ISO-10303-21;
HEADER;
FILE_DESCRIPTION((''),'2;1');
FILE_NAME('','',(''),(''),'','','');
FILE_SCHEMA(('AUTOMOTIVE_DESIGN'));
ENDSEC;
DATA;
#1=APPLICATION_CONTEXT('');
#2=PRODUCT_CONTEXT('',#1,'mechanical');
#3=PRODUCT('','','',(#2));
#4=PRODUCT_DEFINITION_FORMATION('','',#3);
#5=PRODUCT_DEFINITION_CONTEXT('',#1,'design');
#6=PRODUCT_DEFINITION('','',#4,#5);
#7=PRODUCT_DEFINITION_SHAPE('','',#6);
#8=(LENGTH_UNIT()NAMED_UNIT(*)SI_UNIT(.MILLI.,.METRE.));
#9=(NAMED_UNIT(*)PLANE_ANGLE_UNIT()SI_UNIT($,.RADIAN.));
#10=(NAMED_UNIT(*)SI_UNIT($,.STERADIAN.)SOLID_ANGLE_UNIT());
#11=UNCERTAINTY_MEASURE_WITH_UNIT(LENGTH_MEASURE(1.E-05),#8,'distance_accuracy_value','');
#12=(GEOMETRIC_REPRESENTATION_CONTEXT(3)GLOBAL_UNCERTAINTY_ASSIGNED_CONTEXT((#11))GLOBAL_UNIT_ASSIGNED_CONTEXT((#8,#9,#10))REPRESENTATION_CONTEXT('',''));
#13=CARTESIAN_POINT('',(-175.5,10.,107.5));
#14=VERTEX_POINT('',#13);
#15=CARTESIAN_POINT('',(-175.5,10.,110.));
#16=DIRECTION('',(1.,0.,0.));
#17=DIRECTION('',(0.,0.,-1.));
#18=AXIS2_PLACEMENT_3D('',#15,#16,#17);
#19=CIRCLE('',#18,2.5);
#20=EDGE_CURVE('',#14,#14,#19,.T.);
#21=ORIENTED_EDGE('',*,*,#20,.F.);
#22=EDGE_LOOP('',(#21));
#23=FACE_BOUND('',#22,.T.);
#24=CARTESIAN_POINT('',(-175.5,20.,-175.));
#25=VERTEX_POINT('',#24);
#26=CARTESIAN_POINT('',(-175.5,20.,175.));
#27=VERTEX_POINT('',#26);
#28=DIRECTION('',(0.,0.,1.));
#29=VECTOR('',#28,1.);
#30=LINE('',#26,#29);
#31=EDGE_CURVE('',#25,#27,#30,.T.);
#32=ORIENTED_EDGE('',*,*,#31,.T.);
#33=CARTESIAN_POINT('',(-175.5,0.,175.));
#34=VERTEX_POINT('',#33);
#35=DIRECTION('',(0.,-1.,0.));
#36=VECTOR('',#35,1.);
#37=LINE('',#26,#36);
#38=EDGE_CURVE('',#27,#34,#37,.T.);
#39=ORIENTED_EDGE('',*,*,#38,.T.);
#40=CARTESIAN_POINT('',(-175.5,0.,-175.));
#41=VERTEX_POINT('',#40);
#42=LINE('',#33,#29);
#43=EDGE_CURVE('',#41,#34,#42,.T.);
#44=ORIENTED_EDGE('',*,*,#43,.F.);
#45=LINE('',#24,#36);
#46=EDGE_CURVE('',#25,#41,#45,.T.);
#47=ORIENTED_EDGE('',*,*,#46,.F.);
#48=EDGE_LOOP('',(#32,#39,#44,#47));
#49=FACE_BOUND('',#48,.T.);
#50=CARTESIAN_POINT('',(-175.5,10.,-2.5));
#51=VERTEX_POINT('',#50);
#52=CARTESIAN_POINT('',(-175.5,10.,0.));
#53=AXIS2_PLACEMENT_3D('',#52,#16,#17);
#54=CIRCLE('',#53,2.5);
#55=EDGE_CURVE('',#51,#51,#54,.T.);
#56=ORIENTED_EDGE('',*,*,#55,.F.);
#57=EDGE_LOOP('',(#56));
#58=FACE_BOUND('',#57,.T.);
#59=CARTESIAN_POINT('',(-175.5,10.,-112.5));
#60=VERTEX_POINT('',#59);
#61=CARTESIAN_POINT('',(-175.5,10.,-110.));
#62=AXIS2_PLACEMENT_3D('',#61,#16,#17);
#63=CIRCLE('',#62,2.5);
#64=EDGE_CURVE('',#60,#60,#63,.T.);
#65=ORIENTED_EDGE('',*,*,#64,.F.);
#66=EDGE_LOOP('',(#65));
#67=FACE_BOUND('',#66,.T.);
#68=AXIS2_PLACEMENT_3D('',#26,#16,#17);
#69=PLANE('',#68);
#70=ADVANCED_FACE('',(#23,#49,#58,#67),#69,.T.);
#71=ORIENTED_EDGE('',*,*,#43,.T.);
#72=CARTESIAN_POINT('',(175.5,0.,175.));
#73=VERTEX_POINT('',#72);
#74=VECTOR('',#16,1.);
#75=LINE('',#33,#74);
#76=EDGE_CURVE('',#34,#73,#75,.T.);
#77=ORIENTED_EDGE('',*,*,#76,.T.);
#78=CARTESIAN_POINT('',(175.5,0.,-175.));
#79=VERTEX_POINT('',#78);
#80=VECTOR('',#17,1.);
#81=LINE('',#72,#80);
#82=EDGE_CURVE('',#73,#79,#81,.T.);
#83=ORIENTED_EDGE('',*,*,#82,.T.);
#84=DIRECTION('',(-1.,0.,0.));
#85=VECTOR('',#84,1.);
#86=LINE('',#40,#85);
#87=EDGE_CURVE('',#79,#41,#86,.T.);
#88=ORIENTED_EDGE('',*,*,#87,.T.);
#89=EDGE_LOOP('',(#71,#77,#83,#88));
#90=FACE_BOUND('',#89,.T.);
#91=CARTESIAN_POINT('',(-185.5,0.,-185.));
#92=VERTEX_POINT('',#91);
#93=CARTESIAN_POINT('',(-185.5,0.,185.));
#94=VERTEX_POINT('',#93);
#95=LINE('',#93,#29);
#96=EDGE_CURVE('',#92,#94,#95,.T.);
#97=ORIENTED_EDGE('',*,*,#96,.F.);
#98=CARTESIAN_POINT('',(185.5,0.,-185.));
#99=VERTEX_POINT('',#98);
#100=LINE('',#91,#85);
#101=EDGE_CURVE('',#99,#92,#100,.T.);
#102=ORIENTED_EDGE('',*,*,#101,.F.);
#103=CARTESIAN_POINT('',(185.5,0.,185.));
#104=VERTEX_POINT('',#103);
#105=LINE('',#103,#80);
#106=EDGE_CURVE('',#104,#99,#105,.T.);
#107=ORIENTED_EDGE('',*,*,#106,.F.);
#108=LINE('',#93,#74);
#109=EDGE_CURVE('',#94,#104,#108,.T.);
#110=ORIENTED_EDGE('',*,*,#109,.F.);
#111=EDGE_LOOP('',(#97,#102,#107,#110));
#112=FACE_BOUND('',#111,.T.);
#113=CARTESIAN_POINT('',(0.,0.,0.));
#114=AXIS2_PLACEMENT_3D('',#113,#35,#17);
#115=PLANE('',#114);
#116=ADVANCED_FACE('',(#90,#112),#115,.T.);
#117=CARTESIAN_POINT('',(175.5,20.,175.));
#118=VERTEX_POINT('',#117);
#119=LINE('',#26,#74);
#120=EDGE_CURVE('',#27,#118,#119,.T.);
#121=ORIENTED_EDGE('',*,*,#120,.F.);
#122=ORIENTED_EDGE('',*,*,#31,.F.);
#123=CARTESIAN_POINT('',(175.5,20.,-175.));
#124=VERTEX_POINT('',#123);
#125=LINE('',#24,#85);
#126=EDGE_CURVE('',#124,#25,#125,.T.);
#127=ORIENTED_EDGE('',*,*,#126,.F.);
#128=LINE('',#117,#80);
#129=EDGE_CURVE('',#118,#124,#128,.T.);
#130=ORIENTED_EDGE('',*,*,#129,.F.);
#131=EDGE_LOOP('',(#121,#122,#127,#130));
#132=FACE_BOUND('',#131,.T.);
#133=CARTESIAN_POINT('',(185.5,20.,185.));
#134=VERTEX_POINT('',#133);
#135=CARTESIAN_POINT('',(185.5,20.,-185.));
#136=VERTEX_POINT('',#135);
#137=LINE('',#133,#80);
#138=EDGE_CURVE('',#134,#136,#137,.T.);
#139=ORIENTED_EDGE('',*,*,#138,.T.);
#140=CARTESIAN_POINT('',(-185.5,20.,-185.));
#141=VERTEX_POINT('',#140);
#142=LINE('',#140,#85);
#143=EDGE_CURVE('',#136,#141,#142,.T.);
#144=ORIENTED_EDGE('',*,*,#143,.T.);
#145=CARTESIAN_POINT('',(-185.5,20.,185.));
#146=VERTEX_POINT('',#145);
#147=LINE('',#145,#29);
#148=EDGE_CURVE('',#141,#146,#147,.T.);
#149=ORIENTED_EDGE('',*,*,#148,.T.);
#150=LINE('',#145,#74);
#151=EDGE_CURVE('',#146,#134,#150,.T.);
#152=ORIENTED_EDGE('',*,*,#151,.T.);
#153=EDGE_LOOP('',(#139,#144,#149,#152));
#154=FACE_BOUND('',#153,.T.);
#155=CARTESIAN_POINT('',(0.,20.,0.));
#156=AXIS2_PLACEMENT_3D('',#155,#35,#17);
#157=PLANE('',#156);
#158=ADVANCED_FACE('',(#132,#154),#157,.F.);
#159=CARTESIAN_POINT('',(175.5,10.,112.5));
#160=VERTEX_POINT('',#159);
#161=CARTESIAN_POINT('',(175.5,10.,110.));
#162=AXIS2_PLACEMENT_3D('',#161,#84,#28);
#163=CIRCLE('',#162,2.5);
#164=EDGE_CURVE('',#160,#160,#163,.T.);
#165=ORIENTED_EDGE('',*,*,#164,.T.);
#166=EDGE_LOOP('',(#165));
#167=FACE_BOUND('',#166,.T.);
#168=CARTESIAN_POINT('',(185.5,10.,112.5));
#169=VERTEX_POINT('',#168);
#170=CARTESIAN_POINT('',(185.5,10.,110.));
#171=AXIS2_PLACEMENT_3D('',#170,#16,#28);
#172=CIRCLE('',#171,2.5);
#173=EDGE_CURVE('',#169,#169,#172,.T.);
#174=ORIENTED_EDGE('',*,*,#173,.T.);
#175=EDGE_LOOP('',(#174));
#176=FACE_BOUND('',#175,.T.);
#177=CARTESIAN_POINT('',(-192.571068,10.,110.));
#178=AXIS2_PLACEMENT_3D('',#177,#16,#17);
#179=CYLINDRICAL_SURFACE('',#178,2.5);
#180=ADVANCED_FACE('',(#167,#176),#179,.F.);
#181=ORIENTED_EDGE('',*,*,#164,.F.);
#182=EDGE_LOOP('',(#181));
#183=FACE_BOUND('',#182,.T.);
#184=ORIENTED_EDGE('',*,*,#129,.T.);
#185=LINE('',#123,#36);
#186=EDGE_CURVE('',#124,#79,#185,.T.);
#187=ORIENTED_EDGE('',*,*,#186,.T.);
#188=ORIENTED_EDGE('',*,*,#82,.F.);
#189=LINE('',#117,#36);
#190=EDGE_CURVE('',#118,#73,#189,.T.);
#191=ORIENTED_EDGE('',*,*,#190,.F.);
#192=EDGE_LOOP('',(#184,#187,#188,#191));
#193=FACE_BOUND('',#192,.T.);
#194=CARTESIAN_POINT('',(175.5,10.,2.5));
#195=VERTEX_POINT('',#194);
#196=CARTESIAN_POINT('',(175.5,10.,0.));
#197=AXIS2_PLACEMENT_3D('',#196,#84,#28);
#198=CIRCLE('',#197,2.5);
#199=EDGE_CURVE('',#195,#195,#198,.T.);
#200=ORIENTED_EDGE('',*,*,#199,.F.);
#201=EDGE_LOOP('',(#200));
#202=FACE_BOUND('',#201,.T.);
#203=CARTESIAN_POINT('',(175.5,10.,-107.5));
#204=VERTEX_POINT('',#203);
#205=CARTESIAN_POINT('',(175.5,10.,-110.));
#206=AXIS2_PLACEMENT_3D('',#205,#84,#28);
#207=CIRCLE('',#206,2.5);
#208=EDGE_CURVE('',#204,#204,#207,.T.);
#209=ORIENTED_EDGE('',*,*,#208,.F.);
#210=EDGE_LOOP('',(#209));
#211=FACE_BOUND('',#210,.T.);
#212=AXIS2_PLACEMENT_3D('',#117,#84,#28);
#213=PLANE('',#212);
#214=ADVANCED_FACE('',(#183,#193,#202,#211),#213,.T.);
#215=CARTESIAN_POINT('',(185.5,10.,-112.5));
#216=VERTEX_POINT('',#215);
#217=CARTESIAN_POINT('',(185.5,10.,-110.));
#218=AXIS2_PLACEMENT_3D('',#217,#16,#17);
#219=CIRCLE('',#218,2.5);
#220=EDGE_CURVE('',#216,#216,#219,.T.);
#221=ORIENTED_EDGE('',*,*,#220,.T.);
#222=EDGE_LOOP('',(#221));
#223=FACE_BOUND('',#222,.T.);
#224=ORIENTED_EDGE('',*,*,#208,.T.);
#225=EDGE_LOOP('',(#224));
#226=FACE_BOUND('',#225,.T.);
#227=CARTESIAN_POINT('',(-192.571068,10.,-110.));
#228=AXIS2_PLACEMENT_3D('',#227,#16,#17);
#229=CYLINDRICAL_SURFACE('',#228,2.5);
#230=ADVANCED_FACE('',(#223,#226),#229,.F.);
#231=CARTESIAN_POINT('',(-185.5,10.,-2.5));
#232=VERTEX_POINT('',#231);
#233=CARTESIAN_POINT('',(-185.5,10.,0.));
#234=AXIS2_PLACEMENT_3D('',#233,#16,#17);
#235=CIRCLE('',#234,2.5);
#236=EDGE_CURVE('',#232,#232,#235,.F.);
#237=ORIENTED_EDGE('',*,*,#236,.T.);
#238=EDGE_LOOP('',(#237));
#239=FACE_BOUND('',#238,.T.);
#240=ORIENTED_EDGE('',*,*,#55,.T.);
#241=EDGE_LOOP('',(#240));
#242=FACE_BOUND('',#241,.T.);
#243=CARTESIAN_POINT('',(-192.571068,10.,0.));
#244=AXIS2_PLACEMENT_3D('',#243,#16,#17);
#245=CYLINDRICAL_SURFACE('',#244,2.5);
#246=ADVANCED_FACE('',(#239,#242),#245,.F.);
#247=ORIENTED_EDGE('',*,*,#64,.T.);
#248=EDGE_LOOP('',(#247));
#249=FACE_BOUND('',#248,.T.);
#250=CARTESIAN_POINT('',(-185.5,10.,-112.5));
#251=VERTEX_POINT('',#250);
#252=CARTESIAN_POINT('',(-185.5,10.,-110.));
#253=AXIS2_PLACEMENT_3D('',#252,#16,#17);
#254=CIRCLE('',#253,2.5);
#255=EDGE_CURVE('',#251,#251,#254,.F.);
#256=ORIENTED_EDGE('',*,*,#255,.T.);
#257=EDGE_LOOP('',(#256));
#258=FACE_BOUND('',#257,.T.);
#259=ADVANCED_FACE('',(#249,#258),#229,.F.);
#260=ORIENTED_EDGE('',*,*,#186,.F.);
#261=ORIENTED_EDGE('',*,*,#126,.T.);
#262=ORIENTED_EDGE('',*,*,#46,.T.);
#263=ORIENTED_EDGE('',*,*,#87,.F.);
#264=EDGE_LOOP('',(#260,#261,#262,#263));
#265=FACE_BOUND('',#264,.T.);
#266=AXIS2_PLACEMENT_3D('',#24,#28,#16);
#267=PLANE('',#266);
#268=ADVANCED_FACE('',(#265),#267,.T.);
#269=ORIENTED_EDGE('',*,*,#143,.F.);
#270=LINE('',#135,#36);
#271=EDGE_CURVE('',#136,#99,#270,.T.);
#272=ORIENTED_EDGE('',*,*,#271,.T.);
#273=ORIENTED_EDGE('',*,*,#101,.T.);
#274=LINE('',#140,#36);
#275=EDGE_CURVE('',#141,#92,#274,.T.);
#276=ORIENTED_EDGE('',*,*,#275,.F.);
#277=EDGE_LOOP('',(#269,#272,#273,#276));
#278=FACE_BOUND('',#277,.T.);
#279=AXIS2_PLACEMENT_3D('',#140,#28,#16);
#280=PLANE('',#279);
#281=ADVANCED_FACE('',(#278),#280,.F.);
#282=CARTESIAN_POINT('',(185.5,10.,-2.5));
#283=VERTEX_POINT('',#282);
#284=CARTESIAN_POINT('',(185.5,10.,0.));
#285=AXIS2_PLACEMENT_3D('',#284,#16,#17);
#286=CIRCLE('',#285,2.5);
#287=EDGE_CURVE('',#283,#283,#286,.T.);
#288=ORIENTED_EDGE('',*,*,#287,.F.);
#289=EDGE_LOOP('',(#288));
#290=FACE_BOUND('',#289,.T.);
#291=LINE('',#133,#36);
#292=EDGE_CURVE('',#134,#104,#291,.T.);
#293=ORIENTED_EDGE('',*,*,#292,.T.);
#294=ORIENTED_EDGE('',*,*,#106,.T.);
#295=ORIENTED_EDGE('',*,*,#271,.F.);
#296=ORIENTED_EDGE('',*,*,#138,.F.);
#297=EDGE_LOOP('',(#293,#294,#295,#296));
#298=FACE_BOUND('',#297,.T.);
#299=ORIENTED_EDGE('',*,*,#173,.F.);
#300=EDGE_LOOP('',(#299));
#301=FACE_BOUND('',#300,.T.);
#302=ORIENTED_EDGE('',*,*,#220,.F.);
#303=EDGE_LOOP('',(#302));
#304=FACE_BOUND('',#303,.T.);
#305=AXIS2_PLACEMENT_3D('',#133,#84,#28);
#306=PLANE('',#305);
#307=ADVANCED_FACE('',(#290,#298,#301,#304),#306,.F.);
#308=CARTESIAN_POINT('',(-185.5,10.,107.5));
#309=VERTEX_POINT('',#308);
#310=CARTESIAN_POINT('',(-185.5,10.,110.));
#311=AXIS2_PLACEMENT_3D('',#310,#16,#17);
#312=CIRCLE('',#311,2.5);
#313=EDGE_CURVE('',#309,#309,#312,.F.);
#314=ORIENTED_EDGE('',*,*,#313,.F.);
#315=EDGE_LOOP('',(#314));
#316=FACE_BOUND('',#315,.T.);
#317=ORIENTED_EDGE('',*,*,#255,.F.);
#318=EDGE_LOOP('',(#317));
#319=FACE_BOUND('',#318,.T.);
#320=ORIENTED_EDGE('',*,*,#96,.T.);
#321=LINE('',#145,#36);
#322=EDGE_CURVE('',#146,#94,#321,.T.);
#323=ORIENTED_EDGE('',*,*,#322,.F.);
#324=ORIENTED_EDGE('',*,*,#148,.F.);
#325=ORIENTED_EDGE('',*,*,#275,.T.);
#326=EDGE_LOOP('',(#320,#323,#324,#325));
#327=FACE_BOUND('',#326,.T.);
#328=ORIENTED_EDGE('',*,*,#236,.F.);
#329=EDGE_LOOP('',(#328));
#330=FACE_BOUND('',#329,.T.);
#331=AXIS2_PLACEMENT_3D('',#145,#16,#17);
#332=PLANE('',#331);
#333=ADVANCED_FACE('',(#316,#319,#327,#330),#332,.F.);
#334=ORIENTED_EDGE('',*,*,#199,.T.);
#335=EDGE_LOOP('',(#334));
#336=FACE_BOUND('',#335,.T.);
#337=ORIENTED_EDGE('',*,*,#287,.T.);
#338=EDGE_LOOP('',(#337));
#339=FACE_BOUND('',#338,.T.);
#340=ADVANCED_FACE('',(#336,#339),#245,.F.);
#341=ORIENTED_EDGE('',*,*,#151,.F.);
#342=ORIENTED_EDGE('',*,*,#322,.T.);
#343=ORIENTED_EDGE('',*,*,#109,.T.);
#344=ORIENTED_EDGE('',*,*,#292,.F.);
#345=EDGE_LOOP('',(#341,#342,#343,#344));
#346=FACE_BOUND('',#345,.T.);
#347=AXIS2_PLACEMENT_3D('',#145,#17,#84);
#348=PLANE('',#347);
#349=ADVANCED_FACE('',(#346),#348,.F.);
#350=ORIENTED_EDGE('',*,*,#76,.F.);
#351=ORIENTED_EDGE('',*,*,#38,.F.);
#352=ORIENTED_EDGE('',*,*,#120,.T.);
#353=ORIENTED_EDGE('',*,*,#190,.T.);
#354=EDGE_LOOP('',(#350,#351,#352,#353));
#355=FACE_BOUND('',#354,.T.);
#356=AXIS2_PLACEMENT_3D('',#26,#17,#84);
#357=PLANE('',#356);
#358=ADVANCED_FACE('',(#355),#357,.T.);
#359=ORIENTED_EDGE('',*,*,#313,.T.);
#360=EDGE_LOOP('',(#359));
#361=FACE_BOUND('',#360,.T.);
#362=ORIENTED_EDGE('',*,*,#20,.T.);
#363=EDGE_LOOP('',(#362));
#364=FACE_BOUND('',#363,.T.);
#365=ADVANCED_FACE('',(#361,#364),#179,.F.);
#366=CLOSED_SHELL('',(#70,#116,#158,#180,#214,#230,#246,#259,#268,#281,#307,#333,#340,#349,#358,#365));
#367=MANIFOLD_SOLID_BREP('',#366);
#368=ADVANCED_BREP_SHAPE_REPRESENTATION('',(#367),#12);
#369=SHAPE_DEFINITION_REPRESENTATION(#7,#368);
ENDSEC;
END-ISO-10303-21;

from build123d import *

# Parameters (mm, degrees)
SKETCH1_W           = 371
SKETCH1_H           = 370
SKETCH1_W_2         = 351
SKETCH1_H_2         = 350
BOSS_EXTRUDE1_DEPTH = 20
SKETCH2_R           = 2.5
CUT_EXTRUDE1_DEPTH  = 371


with BuildPart() as part:
    # Sketch1 → Boss-Extrude1 (new body)
    with BuildSketch(Plane(origin=(0, 0, 0), x_dir=(1, 0, 0), z_dir=(0, 1, 0))):
        Rectangle(SKETCH1_W, SKETCH1_H)
        Rectangle(SKETCH1_W_2, SKETCH1_H_2, mode=Mode.SUBTRACT)
    extrude(amount=BOSS_EXTRUDE1_DEPTH)

    # Sketch2 → Cut-Extrude1 (cut)
    with BuildSketch(Plane(origin=(185.5, 0, 0), x_dir=(0, 0, -1), z_dir=(1, 0, 0))):
        with Locations((0, 10)):
            Circle(SKETCH2_R)
        with Locations((110, 10)):
            Circle(SKETCH2_R)
        with Locations((-110, 10)):
            Circle(SKETCH2_R)
    extrude(amount=-CUT_EXTRUDE1_DEPTH, mode=Mode.SUBTRACT)


solid = part.part
